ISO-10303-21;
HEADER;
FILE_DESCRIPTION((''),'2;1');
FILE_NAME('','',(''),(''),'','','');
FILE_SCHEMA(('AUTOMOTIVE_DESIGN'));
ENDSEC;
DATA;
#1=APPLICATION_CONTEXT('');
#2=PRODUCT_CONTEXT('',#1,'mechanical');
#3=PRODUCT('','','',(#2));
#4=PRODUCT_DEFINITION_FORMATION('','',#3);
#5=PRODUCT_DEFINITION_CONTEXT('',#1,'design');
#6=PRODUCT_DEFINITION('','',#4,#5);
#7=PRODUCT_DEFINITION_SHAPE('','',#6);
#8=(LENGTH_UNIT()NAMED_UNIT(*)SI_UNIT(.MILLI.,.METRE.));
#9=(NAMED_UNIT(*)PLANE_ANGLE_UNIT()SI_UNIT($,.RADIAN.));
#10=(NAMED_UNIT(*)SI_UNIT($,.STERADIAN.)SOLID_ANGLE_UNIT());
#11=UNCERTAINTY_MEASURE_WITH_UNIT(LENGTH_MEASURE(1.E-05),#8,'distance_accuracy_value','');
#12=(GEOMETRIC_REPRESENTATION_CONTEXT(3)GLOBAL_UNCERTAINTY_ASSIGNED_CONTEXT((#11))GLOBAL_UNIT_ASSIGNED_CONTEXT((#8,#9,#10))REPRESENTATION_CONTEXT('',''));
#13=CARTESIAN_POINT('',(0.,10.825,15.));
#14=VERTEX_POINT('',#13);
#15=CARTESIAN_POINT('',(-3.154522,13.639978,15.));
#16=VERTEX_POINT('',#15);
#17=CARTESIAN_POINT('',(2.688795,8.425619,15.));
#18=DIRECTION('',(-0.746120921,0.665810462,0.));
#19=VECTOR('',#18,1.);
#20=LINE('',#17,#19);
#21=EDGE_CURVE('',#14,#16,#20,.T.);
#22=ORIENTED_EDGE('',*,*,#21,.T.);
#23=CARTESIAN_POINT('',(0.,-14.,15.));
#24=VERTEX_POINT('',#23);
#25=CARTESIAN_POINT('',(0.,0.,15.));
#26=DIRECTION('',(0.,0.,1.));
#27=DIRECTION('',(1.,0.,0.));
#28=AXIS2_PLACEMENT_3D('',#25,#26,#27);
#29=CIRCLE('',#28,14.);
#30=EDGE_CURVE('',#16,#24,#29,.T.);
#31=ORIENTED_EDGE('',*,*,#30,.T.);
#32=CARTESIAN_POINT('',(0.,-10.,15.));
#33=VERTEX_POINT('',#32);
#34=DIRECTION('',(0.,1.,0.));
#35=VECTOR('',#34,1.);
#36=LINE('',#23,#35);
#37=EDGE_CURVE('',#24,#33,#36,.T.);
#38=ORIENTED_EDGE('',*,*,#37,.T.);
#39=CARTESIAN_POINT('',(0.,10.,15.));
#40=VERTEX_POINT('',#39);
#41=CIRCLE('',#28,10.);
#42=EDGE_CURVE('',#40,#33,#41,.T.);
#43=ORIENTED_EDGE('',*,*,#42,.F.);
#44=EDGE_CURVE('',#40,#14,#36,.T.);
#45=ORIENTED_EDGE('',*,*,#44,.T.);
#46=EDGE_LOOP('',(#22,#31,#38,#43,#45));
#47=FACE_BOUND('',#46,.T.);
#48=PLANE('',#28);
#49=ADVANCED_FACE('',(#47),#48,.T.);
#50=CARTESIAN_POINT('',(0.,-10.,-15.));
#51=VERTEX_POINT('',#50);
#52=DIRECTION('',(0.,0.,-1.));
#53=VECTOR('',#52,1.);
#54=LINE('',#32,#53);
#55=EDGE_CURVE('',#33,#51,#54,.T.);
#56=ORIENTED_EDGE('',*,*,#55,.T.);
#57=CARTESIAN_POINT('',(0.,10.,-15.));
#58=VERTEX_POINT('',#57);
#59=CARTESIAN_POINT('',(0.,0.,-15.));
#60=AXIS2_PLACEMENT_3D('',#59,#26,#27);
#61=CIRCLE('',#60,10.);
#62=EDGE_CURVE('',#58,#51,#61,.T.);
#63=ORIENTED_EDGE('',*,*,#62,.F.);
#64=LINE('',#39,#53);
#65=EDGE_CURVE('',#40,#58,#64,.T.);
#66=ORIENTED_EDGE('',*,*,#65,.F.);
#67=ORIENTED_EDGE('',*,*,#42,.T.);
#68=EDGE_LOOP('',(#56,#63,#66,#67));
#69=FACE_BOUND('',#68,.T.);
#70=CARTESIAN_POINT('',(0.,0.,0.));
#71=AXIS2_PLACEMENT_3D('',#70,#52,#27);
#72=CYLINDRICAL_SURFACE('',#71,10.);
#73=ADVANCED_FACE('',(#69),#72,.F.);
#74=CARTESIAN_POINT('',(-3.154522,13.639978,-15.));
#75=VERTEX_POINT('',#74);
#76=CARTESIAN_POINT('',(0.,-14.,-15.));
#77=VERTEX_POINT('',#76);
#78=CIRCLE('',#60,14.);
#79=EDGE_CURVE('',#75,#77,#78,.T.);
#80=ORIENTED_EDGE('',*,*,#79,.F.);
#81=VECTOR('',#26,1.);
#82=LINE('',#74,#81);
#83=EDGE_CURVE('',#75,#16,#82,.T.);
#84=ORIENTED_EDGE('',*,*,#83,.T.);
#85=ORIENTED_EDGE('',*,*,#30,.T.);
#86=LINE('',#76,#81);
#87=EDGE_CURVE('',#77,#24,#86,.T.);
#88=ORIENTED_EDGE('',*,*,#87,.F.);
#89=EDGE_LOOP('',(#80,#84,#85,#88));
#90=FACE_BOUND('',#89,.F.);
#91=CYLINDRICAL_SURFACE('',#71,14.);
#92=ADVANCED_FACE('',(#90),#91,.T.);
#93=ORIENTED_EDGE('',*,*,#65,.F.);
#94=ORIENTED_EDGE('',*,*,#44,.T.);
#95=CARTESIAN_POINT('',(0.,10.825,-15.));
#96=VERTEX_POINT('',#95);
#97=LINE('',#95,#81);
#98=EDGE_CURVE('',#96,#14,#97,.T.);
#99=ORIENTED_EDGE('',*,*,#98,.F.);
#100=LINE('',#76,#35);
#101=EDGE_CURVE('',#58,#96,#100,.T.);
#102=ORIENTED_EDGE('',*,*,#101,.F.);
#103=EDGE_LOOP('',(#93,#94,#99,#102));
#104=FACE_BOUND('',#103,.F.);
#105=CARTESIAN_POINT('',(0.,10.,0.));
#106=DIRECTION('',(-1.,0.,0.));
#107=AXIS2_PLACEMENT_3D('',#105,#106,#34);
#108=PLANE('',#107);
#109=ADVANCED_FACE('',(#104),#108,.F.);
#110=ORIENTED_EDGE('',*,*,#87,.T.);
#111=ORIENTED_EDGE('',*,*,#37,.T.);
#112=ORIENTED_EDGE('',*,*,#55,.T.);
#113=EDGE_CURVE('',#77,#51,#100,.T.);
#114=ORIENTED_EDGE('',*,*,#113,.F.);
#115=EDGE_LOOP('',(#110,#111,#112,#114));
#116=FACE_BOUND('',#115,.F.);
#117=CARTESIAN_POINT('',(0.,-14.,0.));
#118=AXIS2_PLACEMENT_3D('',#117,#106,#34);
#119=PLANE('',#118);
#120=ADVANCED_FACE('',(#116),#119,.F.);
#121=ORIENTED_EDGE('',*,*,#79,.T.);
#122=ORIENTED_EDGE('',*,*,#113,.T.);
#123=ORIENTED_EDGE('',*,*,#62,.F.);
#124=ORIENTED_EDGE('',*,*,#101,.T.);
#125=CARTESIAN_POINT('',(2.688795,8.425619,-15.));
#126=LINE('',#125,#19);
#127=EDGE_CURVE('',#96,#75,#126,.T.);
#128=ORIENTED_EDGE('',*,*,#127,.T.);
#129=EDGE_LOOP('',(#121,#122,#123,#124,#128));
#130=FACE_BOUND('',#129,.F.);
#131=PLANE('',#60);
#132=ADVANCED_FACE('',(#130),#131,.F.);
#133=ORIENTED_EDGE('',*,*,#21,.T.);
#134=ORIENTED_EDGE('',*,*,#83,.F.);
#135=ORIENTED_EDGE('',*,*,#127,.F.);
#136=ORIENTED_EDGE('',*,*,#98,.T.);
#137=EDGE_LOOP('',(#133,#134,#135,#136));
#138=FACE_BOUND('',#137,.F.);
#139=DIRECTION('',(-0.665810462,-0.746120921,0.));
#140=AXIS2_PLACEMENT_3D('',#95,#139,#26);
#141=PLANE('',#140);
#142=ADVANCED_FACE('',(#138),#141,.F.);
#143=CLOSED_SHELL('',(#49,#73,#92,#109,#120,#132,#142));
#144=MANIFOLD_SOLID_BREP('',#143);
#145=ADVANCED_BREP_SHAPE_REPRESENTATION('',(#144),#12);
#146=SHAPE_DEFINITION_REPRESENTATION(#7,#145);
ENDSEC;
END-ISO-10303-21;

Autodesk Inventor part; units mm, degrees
ref_plane "YZ Plane" through (0, 0, 0) normal (1, 0, 0) x (0, 1, 0)
ref_plane "XZ Plane" through (0, 0, 0) normal (0, 1, 0) x (-1, 0, 0)
ref_plane "Work Plane1" through (0, 0, 0) normal (0, 0, 1) x (1, 0, 0)
sketch "Sketch1" plane through (0, 0, 0) normal (0, 0, 1) x (1, 0, 0)
  circle A0 centre (0, 0) radius 14
  circle A1 centre (0, 0) radius 10
  line L0 (0, -14) -> (0, 14)
  point P0 (0, 10)
  point P1 (0, -10)
  dimension "d1" = 4
  dimension "d4" = 20
extrude "Extrusion1" add sketch "Sketch1" along normal mid plane 30 contours L0 A1 A0 picked at (-1.9145, -12.4342)
chamfer "Chamfer1" distance 3.175 angle 45 1 edges at (0, 14, 0)
properties part number "2101_Tx_Coil_Spacer_v1" material "Acetal Resin, White"
